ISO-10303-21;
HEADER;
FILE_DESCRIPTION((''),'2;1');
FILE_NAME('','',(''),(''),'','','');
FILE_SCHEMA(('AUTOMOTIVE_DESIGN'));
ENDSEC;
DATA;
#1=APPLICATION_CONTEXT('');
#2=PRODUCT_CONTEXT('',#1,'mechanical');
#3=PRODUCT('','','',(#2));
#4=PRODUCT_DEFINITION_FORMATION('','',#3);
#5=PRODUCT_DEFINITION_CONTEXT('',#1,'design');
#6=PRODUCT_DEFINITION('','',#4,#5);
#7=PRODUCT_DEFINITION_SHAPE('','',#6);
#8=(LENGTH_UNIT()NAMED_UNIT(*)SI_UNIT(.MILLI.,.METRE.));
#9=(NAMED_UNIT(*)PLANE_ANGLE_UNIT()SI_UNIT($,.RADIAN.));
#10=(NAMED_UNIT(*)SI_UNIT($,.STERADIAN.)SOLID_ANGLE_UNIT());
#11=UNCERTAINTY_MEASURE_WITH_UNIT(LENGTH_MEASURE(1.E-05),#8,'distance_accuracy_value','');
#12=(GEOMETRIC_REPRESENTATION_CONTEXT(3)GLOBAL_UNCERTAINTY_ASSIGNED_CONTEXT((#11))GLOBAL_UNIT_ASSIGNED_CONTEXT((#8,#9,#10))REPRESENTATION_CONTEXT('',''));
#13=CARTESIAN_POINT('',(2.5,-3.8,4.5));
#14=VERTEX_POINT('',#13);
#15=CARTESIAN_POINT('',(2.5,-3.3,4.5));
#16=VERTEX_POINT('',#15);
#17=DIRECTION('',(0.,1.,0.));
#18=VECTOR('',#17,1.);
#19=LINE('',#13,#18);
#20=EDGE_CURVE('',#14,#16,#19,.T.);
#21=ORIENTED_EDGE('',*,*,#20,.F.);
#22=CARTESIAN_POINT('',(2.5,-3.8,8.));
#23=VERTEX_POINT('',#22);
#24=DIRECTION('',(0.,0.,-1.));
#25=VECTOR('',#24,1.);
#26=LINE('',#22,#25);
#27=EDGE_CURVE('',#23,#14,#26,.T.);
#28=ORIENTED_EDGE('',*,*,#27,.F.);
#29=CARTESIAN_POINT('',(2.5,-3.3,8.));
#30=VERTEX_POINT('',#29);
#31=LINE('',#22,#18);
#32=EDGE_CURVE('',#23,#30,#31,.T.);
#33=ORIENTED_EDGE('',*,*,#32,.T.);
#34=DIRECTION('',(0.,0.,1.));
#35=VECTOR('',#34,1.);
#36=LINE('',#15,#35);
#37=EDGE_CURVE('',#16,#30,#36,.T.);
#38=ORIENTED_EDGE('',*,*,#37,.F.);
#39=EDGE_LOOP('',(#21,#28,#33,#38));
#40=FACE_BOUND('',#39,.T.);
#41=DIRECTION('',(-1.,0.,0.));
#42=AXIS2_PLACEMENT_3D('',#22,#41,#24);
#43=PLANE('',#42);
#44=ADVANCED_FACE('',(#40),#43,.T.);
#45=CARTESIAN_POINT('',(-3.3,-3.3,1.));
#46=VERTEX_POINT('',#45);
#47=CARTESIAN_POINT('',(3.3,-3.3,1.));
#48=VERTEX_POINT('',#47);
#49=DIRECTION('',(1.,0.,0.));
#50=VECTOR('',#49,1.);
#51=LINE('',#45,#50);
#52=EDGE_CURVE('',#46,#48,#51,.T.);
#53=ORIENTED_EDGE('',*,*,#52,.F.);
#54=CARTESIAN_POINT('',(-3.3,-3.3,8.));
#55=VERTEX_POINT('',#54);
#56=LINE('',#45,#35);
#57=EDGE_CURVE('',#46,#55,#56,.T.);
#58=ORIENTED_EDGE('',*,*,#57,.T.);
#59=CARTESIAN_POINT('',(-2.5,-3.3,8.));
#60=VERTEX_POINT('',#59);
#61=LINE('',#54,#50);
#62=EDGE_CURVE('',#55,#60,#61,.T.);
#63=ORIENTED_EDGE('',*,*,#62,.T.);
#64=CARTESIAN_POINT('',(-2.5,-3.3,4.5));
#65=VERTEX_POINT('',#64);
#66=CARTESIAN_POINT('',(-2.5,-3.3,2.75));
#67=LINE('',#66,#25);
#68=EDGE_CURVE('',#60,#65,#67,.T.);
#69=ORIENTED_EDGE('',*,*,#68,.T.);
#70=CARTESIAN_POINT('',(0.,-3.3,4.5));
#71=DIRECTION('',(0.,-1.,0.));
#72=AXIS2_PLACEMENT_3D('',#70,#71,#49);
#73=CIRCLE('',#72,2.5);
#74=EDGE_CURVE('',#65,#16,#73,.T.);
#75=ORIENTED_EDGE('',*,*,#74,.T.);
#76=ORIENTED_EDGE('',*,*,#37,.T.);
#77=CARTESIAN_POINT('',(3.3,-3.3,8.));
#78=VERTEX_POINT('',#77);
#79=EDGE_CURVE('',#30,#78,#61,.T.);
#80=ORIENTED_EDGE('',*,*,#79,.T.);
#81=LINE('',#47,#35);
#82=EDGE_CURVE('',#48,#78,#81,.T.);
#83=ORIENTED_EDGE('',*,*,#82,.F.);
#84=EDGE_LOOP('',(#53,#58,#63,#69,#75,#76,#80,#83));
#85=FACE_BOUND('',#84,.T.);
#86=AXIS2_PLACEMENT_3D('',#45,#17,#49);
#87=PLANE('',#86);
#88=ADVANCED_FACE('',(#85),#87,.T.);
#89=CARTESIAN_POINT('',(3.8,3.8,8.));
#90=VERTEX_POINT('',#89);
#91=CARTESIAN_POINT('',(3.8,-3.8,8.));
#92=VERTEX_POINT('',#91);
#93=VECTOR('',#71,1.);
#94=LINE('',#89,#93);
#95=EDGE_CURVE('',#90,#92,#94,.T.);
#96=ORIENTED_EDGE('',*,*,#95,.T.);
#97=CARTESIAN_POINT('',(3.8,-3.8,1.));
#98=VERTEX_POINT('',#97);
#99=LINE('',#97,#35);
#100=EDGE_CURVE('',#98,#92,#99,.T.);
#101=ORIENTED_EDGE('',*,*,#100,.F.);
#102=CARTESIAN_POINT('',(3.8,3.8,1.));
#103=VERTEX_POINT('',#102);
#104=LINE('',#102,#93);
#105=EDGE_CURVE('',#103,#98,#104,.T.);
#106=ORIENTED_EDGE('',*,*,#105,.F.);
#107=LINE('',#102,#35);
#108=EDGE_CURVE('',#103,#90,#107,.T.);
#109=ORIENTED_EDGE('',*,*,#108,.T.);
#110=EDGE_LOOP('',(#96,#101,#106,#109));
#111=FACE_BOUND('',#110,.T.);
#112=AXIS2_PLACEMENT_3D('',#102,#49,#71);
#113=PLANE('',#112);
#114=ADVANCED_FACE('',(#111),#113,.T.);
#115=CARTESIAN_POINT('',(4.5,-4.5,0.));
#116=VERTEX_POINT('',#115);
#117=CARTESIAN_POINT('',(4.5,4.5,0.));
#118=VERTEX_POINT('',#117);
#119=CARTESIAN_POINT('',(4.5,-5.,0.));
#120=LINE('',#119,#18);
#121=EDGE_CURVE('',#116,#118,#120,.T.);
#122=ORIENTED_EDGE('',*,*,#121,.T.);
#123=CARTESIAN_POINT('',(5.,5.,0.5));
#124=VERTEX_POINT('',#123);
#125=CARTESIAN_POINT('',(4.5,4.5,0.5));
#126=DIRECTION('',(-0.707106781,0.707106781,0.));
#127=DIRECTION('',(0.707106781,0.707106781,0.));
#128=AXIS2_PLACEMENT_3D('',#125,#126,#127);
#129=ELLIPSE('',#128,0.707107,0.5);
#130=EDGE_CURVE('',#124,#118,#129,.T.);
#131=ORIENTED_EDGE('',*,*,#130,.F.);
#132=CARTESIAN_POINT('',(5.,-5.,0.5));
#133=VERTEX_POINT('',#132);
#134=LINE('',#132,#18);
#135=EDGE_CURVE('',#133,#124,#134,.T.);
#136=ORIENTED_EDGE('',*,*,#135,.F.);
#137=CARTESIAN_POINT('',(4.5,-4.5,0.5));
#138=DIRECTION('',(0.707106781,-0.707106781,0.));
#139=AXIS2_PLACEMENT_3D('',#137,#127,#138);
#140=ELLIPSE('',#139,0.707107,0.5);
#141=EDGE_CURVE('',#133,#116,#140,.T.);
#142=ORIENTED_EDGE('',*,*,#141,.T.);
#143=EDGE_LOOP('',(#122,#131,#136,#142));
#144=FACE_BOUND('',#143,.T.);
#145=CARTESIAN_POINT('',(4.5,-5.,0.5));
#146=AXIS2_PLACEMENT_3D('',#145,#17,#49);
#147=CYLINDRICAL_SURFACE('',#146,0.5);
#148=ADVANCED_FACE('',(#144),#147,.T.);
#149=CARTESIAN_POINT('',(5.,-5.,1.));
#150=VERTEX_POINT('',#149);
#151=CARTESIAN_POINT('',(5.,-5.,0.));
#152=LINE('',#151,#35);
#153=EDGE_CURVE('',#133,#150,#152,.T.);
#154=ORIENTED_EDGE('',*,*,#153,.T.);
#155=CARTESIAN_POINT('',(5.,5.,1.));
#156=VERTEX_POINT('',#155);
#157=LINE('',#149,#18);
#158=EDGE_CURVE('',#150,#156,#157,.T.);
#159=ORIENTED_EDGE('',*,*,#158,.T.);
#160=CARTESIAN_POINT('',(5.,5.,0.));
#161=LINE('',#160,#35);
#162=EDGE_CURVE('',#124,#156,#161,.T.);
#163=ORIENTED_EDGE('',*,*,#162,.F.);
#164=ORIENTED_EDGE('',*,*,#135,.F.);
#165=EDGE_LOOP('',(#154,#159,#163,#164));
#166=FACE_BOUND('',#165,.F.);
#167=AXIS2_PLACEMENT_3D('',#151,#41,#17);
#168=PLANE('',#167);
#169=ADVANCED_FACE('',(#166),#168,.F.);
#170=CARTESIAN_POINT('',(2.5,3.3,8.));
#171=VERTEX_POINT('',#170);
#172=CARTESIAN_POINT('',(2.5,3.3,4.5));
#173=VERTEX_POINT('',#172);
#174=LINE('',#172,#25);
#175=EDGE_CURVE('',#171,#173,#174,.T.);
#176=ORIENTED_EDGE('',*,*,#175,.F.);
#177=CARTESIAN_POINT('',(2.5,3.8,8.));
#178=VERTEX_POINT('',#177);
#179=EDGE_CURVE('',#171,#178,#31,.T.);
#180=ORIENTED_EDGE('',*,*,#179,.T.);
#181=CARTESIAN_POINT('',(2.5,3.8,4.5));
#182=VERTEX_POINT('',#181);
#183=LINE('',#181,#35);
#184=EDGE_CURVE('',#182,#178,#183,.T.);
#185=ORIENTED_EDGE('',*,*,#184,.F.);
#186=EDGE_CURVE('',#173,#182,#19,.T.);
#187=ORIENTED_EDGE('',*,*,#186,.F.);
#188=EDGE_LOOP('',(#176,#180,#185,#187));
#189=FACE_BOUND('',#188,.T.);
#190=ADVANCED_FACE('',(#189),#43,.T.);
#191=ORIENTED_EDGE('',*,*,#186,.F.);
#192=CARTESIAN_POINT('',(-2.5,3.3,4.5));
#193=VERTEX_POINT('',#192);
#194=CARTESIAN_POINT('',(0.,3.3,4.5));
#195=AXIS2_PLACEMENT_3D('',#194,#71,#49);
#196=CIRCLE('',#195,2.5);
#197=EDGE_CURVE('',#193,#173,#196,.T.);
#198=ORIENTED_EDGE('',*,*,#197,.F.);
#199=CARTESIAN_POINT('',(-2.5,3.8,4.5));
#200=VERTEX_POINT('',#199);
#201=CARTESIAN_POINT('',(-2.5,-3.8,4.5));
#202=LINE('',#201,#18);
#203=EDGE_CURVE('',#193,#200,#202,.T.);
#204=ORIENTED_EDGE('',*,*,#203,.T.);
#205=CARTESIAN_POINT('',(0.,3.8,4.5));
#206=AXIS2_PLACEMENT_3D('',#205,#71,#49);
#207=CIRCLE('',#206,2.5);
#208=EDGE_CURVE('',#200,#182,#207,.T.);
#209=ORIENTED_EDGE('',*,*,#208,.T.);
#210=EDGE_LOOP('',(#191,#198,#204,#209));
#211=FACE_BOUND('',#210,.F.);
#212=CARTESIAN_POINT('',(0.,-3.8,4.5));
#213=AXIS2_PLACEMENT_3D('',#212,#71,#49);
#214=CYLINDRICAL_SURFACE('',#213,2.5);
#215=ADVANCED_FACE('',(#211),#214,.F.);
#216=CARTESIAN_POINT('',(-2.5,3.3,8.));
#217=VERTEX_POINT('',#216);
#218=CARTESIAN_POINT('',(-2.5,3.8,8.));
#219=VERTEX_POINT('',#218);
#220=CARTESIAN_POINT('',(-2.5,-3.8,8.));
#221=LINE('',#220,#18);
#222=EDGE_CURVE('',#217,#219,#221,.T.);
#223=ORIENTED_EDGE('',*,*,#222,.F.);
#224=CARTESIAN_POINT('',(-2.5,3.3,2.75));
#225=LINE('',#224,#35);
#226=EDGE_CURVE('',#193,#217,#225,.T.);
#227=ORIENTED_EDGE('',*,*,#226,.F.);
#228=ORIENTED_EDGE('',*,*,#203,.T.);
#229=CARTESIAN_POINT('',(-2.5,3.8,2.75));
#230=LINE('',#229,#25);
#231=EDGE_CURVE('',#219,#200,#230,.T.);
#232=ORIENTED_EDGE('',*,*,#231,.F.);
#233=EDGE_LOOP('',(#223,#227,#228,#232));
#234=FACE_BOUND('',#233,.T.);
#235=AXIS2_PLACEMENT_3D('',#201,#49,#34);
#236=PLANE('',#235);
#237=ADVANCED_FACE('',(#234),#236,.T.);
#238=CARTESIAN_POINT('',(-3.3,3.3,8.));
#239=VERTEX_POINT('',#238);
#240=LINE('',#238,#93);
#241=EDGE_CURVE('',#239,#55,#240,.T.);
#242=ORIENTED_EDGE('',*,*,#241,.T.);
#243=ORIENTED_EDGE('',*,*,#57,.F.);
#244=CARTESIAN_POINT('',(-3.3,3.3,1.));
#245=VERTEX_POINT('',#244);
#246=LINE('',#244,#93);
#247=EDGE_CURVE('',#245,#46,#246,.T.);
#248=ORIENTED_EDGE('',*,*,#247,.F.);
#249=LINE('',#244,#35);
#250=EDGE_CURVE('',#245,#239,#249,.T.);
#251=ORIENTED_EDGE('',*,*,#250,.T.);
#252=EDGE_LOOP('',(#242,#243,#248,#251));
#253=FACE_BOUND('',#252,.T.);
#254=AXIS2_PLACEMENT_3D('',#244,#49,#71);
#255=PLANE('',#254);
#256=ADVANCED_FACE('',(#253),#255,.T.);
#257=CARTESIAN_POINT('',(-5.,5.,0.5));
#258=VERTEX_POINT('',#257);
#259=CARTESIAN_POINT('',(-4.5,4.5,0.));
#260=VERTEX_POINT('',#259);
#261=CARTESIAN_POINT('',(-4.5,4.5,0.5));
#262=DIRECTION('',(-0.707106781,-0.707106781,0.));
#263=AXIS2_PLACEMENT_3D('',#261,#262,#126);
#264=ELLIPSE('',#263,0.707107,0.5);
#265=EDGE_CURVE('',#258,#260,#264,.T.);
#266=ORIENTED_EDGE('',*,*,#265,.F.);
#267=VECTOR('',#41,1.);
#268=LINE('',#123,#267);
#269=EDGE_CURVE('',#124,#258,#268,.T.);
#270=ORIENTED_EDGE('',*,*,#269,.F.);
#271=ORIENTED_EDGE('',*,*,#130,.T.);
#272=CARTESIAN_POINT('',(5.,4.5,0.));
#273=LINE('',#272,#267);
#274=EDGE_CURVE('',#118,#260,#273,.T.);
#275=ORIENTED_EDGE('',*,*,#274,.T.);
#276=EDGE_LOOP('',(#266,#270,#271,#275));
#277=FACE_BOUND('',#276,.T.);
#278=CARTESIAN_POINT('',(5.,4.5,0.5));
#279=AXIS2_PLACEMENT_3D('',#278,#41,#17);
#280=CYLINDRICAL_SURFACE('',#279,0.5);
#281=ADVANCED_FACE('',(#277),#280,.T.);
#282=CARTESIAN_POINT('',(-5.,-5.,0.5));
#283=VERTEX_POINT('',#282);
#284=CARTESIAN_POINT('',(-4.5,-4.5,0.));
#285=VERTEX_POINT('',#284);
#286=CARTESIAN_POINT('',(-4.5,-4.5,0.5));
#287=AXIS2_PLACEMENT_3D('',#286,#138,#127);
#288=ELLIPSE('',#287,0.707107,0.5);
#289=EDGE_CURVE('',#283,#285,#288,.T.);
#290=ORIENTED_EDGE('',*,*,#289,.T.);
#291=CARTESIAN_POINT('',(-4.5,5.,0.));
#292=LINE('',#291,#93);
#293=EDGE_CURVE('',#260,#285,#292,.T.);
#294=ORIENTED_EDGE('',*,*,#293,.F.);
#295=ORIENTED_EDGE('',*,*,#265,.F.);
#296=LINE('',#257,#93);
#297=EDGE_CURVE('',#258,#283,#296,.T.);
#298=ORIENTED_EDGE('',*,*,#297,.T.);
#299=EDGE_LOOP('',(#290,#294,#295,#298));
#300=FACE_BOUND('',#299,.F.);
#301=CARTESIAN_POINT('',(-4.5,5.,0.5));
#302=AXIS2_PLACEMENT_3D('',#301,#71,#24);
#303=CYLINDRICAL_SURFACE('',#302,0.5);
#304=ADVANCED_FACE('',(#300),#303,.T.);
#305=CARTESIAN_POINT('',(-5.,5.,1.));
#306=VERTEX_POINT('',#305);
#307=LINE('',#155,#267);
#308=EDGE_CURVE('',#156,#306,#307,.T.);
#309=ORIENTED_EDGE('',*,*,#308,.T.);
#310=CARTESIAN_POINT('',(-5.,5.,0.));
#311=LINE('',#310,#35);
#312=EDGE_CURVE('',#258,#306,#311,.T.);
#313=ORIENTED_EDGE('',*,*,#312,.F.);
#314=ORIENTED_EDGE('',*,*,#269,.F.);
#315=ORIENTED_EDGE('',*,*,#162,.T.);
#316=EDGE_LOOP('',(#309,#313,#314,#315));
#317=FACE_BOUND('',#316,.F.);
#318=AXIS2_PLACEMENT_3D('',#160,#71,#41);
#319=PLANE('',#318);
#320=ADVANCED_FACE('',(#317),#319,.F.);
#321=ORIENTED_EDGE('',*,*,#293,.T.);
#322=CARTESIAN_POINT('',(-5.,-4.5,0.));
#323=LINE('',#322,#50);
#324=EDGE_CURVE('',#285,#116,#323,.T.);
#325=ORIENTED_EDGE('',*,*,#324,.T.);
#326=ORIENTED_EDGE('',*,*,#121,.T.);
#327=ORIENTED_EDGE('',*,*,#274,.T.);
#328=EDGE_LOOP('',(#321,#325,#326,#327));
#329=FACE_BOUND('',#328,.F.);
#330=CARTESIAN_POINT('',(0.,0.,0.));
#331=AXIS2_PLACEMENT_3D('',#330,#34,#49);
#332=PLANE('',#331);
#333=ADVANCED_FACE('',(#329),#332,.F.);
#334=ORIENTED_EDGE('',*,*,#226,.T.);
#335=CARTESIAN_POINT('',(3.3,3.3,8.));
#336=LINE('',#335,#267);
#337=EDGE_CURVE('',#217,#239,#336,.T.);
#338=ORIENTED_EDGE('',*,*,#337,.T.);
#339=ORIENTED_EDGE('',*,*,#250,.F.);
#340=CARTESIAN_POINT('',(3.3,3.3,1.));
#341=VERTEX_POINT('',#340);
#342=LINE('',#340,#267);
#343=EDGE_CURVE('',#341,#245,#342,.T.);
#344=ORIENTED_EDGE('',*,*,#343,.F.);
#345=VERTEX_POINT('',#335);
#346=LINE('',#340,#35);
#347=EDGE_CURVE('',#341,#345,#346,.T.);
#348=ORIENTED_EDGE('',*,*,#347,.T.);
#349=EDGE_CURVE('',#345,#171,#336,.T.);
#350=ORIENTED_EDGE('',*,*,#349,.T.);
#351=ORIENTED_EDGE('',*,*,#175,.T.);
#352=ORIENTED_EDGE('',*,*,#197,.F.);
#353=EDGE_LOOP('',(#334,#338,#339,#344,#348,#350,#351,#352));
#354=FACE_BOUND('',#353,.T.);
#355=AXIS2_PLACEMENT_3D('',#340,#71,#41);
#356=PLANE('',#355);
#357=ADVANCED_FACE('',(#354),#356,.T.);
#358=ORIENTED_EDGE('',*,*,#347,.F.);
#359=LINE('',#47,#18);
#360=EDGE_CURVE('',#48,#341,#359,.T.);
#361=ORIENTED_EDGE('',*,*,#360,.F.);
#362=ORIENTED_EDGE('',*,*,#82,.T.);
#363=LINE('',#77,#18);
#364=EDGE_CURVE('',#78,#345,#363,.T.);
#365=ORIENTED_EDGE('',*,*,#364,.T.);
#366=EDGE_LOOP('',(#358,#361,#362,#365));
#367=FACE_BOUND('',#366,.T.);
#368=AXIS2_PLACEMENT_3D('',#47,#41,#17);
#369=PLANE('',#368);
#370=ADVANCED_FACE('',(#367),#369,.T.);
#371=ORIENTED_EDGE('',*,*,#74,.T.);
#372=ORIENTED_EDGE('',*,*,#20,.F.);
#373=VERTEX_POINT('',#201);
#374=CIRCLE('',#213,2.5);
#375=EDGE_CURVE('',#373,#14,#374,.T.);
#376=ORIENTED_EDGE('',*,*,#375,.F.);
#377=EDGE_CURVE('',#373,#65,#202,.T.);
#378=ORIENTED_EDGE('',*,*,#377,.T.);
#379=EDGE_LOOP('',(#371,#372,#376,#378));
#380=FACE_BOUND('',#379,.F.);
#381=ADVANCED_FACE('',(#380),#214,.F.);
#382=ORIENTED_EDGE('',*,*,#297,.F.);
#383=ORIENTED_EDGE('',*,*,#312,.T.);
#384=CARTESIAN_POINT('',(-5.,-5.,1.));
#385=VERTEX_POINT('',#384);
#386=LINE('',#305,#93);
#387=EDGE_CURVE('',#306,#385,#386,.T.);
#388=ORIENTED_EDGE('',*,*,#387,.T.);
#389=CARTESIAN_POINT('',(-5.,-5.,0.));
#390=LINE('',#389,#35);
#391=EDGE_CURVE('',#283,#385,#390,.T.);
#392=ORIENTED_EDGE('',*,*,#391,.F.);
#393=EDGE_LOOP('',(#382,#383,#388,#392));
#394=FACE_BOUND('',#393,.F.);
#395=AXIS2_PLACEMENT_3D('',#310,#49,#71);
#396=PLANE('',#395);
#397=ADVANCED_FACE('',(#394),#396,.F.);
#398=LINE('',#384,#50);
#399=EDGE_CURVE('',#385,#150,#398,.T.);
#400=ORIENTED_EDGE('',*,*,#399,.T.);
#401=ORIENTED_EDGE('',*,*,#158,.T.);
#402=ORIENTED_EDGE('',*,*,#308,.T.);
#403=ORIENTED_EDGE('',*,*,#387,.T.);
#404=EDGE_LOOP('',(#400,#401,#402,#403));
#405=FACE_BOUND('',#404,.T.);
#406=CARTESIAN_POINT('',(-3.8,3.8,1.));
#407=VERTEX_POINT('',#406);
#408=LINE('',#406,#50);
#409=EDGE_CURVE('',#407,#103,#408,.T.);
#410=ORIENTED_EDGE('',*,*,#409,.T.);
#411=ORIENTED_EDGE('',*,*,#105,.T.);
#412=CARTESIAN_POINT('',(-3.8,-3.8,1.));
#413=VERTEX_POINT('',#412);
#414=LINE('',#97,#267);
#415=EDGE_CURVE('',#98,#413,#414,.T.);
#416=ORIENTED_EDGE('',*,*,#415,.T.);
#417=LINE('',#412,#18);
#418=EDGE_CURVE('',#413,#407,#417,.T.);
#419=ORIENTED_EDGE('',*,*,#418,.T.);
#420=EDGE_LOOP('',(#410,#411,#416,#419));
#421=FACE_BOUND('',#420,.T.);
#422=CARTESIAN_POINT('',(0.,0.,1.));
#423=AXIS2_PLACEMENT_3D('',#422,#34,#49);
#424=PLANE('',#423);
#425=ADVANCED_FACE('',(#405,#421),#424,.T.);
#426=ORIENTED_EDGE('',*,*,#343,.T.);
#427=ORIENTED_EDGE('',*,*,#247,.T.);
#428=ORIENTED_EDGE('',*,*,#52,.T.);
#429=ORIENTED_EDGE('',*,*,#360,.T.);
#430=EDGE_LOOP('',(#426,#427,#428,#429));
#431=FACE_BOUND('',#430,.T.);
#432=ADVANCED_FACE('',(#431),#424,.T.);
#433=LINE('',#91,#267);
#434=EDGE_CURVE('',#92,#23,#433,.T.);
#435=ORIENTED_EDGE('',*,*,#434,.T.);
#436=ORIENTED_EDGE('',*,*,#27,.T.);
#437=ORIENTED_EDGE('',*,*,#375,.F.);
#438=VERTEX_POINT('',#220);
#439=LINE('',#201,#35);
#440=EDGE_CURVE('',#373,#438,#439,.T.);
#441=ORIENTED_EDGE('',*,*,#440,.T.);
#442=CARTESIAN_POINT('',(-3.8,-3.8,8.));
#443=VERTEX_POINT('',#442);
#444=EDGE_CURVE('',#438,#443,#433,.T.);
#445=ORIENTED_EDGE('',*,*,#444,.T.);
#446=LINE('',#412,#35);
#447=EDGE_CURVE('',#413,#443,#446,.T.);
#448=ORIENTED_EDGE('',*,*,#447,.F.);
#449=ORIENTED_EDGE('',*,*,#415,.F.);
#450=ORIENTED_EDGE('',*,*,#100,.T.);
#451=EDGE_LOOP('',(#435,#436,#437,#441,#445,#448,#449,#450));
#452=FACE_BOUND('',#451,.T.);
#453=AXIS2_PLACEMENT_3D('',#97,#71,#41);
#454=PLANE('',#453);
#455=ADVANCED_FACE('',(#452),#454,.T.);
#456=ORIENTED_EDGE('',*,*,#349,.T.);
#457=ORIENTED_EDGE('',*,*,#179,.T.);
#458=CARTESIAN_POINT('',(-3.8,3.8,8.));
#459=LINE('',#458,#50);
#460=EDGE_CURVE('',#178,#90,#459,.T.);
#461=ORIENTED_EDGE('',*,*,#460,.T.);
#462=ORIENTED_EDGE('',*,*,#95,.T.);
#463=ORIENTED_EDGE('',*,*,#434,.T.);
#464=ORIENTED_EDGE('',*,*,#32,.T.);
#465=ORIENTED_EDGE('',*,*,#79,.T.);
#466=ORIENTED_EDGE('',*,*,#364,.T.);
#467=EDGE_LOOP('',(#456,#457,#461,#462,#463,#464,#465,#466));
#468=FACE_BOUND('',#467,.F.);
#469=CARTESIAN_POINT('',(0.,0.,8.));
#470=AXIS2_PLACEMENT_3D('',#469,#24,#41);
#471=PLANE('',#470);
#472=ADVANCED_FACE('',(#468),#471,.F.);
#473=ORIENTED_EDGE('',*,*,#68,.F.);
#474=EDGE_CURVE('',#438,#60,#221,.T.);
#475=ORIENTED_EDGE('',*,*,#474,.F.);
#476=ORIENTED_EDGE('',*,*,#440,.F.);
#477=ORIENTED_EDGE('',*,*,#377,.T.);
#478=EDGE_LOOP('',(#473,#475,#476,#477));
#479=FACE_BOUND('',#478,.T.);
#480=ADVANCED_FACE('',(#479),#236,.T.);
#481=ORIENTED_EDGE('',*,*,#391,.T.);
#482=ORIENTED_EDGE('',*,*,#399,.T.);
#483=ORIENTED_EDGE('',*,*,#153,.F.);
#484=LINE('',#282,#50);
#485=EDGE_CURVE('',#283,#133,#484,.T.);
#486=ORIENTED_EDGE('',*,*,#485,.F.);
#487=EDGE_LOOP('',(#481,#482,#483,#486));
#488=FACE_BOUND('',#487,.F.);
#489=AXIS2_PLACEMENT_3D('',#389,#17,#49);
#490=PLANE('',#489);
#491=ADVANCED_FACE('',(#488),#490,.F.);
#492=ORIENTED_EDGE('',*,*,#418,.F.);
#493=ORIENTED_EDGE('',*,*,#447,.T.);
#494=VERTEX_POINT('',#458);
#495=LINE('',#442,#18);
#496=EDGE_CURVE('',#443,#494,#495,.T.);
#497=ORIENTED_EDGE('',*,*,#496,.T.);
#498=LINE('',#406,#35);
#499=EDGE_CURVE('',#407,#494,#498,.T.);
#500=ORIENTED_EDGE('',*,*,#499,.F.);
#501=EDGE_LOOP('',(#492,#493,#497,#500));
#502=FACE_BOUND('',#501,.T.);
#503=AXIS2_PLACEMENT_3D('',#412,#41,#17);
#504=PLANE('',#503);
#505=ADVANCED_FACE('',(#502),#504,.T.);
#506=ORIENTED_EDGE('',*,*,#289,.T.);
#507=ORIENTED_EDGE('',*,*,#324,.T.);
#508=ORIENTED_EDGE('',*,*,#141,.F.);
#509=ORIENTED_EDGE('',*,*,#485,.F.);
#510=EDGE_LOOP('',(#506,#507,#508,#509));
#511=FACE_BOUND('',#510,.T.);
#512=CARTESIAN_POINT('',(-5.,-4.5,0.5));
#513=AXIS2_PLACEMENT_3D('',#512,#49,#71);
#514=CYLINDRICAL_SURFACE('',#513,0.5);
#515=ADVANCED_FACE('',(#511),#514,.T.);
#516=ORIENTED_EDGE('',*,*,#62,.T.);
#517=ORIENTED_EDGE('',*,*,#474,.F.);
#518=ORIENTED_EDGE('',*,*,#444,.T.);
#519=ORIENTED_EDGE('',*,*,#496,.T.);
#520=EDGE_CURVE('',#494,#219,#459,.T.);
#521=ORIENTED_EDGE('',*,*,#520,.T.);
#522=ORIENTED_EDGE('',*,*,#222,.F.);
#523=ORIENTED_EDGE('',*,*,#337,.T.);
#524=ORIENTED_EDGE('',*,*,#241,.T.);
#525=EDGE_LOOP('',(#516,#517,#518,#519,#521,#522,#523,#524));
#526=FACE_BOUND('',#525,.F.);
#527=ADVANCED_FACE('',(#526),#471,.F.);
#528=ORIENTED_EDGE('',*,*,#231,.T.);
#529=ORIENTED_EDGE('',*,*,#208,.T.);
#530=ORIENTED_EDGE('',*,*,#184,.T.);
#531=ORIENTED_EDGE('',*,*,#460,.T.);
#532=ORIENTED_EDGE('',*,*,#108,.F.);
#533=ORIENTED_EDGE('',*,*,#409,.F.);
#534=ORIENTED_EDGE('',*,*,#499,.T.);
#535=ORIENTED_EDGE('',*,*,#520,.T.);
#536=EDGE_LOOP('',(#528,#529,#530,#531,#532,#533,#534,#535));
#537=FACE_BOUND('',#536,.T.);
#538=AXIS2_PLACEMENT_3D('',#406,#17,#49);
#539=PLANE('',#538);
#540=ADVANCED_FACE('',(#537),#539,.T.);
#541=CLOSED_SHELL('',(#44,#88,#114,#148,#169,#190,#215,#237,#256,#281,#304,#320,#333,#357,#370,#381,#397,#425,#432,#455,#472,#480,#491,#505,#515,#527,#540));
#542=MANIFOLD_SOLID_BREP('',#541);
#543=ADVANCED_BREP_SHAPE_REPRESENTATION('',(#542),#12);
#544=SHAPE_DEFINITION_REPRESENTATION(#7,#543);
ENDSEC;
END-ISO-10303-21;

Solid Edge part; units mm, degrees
sketch "Sketch1" plane through (0, 0, 0) normal (0, 0, 1) x (1, 0, 0)
  line L0 (5, -5) -> (5, 5)
  line L1 (5, 5) -> (-5, 5)
  line L2 (-5, 5) -> (-5, -5)
  line L3 (-5, -5) -> (5, -5)
extrude "Protrusion1" add sketch "Sketch1" along normal blind 1
sketch "Sketch2" plane through (0, 0, 1) normal (0, 0, 1) x (1, 0, 0)
  line L0 (-3.3, -3.3) -> (3.3, -3.3)
  line L1 (3.3, -3.3) -> (3.3, 3.3)
  line L2 (3.3, 3.3) -> (-3.3, 3.3)
  line L3 (-3.3, 3.3) -> (-3.3, -3.3)
  line L4 (3.8, -3.8) -> (-3.8, -3.8)
  line L5 (-3.8, -3.8) -> (-3.8, 3.8)
  line L6 (-3.8, 3.8) -> (3.8, 3.8)
  line L7 (3.8, 3.8) -> (3.8, -3.8)
extrude "ExtrudedProtrusion_2" add sketch "Sketch2" along normal blind 7
sketch "Sketch3" plane through (0, -3.8, 4.5) normal (0, -1, 0) x (1, 0, 0)
  line L0 (2.5, 3.5) -> (2.5, 0)
  arc A0 (-2.5, 0) -> (2.5, 0) centre (0, 0) ccw
  line L1 (-2.5, 0) -> (-2.5, 3.5)
  line L2 (-2.5, 3.5) -> (2.5, 3.5)
extrude "ExtrudedCutout_1" cut sketch "Sketch3" against normal blind 9.3
fillet "Round_1" radius 0.5 4 edges at (0, -5, 0) (5, 0, 0) (0, 5, 0) (-5, 0, 0)
properties material "ABS Plastic, high impact"
